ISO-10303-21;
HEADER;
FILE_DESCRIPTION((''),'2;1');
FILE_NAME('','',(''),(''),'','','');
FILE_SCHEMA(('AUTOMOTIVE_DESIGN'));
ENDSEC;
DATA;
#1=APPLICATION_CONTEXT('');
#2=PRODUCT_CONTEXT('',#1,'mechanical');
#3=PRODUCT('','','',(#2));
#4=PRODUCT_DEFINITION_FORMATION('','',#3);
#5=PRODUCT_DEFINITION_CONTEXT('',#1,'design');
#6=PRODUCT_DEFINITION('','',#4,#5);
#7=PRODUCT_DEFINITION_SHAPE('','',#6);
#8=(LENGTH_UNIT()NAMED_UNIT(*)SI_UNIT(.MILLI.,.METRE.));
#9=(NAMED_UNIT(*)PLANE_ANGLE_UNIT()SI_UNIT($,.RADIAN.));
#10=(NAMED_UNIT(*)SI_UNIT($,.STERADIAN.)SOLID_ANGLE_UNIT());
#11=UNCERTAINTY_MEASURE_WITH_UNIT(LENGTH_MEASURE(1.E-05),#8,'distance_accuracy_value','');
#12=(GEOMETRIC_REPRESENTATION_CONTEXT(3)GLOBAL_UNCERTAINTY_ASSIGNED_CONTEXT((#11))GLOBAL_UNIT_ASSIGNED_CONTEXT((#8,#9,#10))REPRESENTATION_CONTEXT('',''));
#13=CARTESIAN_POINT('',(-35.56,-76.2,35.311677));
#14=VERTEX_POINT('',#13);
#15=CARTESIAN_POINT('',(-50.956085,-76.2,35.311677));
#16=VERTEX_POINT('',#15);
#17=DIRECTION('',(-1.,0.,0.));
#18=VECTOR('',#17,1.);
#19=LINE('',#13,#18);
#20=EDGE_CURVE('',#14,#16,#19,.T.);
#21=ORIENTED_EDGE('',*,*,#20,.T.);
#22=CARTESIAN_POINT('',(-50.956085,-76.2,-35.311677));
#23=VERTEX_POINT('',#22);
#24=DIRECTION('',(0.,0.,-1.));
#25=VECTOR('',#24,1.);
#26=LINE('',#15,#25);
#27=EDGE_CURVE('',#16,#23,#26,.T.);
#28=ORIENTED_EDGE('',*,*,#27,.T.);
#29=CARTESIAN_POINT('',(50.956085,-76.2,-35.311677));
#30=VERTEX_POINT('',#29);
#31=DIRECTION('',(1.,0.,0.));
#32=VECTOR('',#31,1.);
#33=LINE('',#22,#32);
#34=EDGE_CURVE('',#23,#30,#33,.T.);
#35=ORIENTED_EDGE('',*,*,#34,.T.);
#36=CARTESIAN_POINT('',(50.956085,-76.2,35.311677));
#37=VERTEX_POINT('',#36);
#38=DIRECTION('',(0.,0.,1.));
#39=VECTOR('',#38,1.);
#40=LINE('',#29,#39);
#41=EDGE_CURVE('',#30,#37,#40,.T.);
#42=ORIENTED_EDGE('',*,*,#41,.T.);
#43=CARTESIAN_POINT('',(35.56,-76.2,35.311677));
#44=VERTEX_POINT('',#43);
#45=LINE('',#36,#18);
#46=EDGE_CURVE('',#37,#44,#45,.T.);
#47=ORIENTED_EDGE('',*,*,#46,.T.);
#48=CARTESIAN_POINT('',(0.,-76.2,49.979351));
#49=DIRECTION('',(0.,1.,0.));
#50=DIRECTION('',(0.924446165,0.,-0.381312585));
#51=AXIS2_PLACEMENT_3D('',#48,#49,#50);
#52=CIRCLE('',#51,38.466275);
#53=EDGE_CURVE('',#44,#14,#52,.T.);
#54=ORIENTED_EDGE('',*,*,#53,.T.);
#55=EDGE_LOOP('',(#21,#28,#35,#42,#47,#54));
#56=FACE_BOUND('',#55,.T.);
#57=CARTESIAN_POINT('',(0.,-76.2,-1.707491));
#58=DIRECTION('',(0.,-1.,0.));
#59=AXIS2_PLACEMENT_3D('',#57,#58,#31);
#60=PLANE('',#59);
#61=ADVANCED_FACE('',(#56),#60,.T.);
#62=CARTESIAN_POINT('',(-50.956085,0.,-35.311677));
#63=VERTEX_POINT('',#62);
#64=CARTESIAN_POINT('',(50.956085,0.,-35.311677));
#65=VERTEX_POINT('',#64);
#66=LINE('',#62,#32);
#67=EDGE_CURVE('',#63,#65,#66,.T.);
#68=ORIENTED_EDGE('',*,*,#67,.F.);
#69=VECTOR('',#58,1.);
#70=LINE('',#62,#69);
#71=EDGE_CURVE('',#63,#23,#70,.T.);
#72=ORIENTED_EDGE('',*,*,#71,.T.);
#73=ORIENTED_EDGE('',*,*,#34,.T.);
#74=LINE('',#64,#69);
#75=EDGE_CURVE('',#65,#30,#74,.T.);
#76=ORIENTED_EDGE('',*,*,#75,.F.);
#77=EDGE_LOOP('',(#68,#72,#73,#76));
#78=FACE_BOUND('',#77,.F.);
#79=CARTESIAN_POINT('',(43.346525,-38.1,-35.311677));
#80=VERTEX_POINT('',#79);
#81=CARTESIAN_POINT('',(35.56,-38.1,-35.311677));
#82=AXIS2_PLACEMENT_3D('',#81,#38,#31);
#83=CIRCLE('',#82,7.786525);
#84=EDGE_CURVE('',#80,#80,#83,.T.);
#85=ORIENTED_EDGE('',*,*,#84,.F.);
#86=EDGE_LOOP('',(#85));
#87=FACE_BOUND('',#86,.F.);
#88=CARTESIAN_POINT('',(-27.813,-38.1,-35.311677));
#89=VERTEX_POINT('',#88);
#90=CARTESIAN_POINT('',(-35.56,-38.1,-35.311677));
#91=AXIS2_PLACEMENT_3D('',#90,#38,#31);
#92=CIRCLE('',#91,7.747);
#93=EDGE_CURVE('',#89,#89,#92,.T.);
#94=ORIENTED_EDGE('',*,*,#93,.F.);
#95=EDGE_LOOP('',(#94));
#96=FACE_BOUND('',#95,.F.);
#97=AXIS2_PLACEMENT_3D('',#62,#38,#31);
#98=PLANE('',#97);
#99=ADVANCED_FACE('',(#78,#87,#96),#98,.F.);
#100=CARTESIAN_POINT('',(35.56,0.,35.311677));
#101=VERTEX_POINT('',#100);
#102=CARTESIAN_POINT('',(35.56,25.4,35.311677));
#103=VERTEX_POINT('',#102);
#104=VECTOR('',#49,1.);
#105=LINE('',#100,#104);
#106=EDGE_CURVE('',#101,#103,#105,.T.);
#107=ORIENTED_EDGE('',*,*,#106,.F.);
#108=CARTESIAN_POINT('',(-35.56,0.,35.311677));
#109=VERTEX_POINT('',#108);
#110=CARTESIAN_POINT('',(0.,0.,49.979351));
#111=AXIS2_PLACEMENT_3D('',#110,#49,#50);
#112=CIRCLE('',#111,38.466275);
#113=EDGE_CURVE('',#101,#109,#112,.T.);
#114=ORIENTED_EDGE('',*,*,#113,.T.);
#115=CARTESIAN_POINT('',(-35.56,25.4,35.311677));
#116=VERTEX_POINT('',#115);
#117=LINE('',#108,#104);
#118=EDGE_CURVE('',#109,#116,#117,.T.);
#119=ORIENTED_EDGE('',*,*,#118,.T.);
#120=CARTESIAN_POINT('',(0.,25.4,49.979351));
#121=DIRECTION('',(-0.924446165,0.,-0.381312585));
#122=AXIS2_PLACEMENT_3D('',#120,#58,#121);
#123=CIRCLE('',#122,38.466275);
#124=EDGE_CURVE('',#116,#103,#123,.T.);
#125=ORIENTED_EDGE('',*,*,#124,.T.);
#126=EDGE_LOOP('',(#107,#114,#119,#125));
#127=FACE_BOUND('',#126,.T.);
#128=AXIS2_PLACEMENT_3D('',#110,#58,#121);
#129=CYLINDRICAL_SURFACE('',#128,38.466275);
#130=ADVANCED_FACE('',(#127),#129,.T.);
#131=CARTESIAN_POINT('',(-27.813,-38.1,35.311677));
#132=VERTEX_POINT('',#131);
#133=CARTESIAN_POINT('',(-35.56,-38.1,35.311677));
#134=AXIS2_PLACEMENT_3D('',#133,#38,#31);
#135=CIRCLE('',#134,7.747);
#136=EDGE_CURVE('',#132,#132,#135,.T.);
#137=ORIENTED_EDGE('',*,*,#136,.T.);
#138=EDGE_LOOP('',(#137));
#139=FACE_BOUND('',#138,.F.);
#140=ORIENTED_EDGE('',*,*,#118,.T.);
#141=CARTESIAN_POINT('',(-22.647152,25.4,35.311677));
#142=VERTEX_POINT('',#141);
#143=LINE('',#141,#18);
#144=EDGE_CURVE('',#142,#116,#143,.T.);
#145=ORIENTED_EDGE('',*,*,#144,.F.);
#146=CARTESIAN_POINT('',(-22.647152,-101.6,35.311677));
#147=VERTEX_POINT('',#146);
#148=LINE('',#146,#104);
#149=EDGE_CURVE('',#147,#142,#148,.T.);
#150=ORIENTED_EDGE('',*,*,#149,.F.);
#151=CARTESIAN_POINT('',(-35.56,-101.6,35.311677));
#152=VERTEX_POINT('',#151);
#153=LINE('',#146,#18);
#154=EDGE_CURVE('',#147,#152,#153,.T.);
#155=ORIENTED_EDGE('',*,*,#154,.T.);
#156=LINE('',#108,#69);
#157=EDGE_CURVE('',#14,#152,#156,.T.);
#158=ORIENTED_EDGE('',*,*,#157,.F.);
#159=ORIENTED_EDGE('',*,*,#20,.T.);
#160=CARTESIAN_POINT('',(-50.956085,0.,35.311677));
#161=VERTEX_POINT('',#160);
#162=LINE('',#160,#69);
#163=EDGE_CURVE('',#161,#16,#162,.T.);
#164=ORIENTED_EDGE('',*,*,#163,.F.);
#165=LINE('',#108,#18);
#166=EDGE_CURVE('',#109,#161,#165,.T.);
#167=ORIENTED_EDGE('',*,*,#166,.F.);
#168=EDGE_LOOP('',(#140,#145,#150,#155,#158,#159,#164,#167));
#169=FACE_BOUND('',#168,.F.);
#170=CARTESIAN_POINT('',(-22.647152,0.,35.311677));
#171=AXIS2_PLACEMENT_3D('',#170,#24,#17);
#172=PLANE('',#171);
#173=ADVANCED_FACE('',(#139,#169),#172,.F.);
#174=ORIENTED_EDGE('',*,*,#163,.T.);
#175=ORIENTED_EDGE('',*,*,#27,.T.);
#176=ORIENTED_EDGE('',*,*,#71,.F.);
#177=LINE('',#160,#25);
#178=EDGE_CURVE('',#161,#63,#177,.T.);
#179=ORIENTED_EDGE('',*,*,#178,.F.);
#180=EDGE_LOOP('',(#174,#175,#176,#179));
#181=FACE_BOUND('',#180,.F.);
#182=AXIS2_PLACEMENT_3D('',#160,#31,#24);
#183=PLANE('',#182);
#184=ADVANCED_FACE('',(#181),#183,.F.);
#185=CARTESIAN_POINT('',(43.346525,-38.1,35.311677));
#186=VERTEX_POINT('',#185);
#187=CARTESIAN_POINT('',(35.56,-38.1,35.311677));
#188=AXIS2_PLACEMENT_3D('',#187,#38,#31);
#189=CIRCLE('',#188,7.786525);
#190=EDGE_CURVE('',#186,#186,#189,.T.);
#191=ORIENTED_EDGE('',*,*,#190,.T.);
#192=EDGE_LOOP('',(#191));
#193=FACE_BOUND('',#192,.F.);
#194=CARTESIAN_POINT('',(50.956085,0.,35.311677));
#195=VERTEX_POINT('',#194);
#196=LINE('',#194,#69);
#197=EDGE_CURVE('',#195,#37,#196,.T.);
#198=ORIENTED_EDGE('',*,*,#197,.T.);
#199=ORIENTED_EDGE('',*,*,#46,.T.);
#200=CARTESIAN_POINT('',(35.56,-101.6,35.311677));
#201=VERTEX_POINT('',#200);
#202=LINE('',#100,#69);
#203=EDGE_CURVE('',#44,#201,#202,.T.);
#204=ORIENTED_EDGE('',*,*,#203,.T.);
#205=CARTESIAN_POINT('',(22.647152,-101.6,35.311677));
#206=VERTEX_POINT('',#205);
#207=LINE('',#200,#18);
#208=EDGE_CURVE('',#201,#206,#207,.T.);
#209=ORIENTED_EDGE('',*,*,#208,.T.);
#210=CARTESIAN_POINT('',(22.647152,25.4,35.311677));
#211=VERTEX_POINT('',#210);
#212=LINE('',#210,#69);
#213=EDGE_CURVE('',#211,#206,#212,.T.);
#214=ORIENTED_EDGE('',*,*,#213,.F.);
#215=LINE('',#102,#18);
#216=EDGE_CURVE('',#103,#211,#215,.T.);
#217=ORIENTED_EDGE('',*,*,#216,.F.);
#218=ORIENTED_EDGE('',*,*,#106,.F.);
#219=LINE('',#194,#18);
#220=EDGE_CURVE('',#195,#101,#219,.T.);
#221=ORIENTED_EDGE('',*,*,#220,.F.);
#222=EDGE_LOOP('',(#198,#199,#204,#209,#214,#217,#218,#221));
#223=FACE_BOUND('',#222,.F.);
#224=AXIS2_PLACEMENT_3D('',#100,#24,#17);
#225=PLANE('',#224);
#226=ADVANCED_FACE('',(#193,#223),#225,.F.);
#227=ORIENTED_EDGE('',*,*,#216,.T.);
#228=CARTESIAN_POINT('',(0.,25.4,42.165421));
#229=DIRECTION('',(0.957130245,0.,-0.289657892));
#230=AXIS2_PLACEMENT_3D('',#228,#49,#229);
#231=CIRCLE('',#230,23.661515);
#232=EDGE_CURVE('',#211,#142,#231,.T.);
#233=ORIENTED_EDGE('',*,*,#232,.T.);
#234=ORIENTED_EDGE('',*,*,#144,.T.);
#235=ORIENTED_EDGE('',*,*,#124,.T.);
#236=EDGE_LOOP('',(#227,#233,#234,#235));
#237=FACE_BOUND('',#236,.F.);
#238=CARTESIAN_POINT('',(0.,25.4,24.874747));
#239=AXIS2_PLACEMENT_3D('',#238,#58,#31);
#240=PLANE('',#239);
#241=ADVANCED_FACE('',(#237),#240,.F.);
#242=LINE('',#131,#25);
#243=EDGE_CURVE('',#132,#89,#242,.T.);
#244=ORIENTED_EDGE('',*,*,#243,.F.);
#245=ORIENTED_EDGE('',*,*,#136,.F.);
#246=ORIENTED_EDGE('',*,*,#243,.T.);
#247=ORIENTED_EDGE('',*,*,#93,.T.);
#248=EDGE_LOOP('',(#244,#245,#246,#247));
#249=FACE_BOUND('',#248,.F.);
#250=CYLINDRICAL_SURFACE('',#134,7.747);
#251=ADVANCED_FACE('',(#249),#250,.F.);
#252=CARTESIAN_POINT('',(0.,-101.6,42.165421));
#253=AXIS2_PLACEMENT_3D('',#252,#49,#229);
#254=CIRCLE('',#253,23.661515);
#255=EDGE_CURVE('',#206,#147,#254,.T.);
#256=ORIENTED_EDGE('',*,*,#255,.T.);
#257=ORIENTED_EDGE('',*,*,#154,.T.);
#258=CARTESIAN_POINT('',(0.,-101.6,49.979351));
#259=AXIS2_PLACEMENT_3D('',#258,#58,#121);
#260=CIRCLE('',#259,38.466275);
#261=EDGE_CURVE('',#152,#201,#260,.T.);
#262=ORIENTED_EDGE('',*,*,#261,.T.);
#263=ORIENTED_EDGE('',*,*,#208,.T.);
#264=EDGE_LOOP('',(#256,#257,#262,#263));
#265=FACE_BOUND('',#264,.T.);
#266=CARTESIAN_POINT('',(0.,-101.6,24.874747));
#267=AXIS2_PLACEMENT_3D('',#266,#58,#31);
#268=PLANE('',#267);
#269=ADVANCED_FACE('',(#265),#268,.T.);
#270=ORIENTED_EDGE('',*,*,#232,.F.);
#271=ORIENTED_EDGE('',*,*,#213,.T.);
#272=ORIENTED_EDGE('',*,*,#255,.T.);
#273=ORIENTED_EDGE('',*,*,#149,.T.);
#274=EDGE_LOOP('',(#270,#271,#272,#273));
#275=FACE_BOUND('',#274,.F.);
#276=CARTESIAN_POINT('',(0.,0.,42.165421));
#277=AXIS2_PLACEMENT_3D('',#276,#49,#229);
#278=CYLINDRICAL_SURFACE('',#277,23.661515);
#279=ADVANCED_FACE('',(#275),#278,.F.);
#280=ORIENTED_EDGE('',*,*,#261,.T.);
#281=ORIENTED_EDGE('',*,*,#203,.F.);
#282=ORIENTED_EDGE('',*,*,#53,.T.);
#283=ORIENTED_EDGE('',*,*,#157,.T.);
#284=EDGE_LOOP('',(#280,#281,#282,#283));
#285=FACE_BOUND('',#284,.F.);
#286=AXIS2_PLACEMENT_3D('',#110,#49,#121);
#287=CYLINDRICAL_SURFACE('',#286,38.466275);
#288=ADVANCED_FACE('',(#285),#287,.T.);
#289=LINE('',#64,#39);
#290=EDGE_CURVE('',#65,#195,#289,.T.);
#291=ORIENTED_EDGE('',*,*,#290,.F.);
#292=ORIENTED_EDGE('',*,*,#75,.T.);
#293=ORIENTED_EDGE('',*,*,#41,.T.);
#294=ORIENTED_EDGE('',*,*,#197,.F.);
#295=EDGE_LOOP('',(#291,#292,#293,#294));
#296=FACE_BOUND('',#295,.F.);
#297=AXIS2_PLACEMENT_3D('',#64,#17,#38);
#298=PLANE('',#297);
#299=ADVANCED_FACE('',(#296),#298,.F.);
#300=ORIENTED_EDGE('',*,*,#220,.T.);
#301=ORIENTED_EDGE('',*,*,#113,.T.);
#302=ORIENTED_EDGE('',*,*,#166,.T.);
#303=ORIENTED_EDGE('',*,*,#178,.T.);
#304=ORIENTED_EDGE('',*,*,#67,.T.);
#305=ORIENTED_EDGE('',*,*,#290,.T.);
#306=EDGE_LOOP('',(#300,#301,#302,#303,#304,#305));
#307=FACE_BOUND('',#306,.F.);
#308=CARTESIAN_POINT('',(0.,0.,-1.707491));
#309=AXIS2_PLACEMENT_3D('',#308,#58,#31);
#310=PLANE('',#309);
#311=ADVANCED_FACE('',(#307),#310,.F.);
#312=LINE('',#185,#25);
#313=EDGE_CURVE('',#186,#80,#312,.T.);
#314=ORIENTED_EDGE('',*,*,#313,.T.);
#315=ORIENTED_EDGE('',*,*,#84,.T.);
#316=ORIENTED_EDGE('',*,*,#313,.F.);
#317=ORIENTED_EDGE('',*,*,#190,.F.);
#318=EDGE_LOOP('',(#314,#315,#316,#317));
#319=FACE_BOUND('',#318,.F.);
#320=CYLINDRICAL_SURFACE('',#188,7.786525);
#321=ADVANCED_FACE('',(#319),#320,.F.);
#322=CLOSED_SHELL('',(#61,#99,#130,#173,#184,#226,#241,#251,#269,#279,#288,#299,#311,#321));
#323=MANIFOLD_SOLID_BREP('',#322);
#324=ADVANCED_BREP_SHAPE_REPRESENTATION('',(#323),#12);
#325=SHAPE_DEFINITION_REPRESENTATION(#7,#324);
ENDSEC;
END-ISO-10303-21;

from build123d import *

# Parameters (mm, degrees)
F1_DEPTH      = 76.2
F2_DEPTH      = 25.4
F2_DEPTH_BACK = 101.6
F3_R          = 7.7865248509
F4_DEPTH      = 101.6
F5_R          = 7.747
F6_DEPTH      = 101.6


with BuildPart() as f1:
    # F0 (on Front) → F1 (new body)
    with BuildSketch(Plane.XZ):
        with BuildLine():
            Line((-50.9560853243, -35.3116765618), (50.9560853243, -35.3116765618))
            Line((50.9560853243, -35.3116765618), (50.9560853243, 35.3116765618))
            Line((50.9560853243, 35.3116765618), (35.56, 35.3116765618))
            ThreePointArc((35.56, 35.3116765618), (0, 11.5130765942), (-35.56, 35.3116765618))
            Line((-35.56, 35.3116765618), (-50.9560853243, 35.3116765618))
            Line((-50.9560853243, 35.3116765618), (-50.9560853243, -35.3116765618))
        make_face()
    extrude(amount=F1_DEPTH)

    # F0 (on Front) → F2 (join, two sides)
    with BuildSketch(Plane.XZ) as f2_sk:
        with BuildLine():
            ThreePointArc((-35.56, 35.3116765618), (0, 11.5130765942), (35.56, 35.3116765618))
            Line((35.56, 35.3116765618), (22.6471517235, 35.3116765618))
            ThreePointArc((22.6471517235, 35.3116765618), (0, 18.5039060672), (-22.6471517235, 35.3116765618))
            Line((-22.6471517235, 35.3116765618), (-35.56, 35.3116765618))
        make_face()
    extrude(amount=-F2_DEPTH)
    extrude(f2_sk.sketch, amount=F2_DEPTH_BACK)

    # F3 (on face) → F4 (cut)
    with BuildSketch(Plane.XY.offset(35.3116765618)):
        with Locations((35.56, -38.1)):
            Circle(F3_R)
    extrude(amount=-F4_DEPTH, mode=Mode.SUBTRACT)

    # F5 (on face) → F6 (cut)
    with BuildSketch(Plane.XY.offset(35.3116765618)):
        with Locations((-35.56, -38.1)):
            Circle(F5_R)
    extrude(amount=-F6_DEPTH, mode=Mode.SUBTRACT)


solid = f1.part
